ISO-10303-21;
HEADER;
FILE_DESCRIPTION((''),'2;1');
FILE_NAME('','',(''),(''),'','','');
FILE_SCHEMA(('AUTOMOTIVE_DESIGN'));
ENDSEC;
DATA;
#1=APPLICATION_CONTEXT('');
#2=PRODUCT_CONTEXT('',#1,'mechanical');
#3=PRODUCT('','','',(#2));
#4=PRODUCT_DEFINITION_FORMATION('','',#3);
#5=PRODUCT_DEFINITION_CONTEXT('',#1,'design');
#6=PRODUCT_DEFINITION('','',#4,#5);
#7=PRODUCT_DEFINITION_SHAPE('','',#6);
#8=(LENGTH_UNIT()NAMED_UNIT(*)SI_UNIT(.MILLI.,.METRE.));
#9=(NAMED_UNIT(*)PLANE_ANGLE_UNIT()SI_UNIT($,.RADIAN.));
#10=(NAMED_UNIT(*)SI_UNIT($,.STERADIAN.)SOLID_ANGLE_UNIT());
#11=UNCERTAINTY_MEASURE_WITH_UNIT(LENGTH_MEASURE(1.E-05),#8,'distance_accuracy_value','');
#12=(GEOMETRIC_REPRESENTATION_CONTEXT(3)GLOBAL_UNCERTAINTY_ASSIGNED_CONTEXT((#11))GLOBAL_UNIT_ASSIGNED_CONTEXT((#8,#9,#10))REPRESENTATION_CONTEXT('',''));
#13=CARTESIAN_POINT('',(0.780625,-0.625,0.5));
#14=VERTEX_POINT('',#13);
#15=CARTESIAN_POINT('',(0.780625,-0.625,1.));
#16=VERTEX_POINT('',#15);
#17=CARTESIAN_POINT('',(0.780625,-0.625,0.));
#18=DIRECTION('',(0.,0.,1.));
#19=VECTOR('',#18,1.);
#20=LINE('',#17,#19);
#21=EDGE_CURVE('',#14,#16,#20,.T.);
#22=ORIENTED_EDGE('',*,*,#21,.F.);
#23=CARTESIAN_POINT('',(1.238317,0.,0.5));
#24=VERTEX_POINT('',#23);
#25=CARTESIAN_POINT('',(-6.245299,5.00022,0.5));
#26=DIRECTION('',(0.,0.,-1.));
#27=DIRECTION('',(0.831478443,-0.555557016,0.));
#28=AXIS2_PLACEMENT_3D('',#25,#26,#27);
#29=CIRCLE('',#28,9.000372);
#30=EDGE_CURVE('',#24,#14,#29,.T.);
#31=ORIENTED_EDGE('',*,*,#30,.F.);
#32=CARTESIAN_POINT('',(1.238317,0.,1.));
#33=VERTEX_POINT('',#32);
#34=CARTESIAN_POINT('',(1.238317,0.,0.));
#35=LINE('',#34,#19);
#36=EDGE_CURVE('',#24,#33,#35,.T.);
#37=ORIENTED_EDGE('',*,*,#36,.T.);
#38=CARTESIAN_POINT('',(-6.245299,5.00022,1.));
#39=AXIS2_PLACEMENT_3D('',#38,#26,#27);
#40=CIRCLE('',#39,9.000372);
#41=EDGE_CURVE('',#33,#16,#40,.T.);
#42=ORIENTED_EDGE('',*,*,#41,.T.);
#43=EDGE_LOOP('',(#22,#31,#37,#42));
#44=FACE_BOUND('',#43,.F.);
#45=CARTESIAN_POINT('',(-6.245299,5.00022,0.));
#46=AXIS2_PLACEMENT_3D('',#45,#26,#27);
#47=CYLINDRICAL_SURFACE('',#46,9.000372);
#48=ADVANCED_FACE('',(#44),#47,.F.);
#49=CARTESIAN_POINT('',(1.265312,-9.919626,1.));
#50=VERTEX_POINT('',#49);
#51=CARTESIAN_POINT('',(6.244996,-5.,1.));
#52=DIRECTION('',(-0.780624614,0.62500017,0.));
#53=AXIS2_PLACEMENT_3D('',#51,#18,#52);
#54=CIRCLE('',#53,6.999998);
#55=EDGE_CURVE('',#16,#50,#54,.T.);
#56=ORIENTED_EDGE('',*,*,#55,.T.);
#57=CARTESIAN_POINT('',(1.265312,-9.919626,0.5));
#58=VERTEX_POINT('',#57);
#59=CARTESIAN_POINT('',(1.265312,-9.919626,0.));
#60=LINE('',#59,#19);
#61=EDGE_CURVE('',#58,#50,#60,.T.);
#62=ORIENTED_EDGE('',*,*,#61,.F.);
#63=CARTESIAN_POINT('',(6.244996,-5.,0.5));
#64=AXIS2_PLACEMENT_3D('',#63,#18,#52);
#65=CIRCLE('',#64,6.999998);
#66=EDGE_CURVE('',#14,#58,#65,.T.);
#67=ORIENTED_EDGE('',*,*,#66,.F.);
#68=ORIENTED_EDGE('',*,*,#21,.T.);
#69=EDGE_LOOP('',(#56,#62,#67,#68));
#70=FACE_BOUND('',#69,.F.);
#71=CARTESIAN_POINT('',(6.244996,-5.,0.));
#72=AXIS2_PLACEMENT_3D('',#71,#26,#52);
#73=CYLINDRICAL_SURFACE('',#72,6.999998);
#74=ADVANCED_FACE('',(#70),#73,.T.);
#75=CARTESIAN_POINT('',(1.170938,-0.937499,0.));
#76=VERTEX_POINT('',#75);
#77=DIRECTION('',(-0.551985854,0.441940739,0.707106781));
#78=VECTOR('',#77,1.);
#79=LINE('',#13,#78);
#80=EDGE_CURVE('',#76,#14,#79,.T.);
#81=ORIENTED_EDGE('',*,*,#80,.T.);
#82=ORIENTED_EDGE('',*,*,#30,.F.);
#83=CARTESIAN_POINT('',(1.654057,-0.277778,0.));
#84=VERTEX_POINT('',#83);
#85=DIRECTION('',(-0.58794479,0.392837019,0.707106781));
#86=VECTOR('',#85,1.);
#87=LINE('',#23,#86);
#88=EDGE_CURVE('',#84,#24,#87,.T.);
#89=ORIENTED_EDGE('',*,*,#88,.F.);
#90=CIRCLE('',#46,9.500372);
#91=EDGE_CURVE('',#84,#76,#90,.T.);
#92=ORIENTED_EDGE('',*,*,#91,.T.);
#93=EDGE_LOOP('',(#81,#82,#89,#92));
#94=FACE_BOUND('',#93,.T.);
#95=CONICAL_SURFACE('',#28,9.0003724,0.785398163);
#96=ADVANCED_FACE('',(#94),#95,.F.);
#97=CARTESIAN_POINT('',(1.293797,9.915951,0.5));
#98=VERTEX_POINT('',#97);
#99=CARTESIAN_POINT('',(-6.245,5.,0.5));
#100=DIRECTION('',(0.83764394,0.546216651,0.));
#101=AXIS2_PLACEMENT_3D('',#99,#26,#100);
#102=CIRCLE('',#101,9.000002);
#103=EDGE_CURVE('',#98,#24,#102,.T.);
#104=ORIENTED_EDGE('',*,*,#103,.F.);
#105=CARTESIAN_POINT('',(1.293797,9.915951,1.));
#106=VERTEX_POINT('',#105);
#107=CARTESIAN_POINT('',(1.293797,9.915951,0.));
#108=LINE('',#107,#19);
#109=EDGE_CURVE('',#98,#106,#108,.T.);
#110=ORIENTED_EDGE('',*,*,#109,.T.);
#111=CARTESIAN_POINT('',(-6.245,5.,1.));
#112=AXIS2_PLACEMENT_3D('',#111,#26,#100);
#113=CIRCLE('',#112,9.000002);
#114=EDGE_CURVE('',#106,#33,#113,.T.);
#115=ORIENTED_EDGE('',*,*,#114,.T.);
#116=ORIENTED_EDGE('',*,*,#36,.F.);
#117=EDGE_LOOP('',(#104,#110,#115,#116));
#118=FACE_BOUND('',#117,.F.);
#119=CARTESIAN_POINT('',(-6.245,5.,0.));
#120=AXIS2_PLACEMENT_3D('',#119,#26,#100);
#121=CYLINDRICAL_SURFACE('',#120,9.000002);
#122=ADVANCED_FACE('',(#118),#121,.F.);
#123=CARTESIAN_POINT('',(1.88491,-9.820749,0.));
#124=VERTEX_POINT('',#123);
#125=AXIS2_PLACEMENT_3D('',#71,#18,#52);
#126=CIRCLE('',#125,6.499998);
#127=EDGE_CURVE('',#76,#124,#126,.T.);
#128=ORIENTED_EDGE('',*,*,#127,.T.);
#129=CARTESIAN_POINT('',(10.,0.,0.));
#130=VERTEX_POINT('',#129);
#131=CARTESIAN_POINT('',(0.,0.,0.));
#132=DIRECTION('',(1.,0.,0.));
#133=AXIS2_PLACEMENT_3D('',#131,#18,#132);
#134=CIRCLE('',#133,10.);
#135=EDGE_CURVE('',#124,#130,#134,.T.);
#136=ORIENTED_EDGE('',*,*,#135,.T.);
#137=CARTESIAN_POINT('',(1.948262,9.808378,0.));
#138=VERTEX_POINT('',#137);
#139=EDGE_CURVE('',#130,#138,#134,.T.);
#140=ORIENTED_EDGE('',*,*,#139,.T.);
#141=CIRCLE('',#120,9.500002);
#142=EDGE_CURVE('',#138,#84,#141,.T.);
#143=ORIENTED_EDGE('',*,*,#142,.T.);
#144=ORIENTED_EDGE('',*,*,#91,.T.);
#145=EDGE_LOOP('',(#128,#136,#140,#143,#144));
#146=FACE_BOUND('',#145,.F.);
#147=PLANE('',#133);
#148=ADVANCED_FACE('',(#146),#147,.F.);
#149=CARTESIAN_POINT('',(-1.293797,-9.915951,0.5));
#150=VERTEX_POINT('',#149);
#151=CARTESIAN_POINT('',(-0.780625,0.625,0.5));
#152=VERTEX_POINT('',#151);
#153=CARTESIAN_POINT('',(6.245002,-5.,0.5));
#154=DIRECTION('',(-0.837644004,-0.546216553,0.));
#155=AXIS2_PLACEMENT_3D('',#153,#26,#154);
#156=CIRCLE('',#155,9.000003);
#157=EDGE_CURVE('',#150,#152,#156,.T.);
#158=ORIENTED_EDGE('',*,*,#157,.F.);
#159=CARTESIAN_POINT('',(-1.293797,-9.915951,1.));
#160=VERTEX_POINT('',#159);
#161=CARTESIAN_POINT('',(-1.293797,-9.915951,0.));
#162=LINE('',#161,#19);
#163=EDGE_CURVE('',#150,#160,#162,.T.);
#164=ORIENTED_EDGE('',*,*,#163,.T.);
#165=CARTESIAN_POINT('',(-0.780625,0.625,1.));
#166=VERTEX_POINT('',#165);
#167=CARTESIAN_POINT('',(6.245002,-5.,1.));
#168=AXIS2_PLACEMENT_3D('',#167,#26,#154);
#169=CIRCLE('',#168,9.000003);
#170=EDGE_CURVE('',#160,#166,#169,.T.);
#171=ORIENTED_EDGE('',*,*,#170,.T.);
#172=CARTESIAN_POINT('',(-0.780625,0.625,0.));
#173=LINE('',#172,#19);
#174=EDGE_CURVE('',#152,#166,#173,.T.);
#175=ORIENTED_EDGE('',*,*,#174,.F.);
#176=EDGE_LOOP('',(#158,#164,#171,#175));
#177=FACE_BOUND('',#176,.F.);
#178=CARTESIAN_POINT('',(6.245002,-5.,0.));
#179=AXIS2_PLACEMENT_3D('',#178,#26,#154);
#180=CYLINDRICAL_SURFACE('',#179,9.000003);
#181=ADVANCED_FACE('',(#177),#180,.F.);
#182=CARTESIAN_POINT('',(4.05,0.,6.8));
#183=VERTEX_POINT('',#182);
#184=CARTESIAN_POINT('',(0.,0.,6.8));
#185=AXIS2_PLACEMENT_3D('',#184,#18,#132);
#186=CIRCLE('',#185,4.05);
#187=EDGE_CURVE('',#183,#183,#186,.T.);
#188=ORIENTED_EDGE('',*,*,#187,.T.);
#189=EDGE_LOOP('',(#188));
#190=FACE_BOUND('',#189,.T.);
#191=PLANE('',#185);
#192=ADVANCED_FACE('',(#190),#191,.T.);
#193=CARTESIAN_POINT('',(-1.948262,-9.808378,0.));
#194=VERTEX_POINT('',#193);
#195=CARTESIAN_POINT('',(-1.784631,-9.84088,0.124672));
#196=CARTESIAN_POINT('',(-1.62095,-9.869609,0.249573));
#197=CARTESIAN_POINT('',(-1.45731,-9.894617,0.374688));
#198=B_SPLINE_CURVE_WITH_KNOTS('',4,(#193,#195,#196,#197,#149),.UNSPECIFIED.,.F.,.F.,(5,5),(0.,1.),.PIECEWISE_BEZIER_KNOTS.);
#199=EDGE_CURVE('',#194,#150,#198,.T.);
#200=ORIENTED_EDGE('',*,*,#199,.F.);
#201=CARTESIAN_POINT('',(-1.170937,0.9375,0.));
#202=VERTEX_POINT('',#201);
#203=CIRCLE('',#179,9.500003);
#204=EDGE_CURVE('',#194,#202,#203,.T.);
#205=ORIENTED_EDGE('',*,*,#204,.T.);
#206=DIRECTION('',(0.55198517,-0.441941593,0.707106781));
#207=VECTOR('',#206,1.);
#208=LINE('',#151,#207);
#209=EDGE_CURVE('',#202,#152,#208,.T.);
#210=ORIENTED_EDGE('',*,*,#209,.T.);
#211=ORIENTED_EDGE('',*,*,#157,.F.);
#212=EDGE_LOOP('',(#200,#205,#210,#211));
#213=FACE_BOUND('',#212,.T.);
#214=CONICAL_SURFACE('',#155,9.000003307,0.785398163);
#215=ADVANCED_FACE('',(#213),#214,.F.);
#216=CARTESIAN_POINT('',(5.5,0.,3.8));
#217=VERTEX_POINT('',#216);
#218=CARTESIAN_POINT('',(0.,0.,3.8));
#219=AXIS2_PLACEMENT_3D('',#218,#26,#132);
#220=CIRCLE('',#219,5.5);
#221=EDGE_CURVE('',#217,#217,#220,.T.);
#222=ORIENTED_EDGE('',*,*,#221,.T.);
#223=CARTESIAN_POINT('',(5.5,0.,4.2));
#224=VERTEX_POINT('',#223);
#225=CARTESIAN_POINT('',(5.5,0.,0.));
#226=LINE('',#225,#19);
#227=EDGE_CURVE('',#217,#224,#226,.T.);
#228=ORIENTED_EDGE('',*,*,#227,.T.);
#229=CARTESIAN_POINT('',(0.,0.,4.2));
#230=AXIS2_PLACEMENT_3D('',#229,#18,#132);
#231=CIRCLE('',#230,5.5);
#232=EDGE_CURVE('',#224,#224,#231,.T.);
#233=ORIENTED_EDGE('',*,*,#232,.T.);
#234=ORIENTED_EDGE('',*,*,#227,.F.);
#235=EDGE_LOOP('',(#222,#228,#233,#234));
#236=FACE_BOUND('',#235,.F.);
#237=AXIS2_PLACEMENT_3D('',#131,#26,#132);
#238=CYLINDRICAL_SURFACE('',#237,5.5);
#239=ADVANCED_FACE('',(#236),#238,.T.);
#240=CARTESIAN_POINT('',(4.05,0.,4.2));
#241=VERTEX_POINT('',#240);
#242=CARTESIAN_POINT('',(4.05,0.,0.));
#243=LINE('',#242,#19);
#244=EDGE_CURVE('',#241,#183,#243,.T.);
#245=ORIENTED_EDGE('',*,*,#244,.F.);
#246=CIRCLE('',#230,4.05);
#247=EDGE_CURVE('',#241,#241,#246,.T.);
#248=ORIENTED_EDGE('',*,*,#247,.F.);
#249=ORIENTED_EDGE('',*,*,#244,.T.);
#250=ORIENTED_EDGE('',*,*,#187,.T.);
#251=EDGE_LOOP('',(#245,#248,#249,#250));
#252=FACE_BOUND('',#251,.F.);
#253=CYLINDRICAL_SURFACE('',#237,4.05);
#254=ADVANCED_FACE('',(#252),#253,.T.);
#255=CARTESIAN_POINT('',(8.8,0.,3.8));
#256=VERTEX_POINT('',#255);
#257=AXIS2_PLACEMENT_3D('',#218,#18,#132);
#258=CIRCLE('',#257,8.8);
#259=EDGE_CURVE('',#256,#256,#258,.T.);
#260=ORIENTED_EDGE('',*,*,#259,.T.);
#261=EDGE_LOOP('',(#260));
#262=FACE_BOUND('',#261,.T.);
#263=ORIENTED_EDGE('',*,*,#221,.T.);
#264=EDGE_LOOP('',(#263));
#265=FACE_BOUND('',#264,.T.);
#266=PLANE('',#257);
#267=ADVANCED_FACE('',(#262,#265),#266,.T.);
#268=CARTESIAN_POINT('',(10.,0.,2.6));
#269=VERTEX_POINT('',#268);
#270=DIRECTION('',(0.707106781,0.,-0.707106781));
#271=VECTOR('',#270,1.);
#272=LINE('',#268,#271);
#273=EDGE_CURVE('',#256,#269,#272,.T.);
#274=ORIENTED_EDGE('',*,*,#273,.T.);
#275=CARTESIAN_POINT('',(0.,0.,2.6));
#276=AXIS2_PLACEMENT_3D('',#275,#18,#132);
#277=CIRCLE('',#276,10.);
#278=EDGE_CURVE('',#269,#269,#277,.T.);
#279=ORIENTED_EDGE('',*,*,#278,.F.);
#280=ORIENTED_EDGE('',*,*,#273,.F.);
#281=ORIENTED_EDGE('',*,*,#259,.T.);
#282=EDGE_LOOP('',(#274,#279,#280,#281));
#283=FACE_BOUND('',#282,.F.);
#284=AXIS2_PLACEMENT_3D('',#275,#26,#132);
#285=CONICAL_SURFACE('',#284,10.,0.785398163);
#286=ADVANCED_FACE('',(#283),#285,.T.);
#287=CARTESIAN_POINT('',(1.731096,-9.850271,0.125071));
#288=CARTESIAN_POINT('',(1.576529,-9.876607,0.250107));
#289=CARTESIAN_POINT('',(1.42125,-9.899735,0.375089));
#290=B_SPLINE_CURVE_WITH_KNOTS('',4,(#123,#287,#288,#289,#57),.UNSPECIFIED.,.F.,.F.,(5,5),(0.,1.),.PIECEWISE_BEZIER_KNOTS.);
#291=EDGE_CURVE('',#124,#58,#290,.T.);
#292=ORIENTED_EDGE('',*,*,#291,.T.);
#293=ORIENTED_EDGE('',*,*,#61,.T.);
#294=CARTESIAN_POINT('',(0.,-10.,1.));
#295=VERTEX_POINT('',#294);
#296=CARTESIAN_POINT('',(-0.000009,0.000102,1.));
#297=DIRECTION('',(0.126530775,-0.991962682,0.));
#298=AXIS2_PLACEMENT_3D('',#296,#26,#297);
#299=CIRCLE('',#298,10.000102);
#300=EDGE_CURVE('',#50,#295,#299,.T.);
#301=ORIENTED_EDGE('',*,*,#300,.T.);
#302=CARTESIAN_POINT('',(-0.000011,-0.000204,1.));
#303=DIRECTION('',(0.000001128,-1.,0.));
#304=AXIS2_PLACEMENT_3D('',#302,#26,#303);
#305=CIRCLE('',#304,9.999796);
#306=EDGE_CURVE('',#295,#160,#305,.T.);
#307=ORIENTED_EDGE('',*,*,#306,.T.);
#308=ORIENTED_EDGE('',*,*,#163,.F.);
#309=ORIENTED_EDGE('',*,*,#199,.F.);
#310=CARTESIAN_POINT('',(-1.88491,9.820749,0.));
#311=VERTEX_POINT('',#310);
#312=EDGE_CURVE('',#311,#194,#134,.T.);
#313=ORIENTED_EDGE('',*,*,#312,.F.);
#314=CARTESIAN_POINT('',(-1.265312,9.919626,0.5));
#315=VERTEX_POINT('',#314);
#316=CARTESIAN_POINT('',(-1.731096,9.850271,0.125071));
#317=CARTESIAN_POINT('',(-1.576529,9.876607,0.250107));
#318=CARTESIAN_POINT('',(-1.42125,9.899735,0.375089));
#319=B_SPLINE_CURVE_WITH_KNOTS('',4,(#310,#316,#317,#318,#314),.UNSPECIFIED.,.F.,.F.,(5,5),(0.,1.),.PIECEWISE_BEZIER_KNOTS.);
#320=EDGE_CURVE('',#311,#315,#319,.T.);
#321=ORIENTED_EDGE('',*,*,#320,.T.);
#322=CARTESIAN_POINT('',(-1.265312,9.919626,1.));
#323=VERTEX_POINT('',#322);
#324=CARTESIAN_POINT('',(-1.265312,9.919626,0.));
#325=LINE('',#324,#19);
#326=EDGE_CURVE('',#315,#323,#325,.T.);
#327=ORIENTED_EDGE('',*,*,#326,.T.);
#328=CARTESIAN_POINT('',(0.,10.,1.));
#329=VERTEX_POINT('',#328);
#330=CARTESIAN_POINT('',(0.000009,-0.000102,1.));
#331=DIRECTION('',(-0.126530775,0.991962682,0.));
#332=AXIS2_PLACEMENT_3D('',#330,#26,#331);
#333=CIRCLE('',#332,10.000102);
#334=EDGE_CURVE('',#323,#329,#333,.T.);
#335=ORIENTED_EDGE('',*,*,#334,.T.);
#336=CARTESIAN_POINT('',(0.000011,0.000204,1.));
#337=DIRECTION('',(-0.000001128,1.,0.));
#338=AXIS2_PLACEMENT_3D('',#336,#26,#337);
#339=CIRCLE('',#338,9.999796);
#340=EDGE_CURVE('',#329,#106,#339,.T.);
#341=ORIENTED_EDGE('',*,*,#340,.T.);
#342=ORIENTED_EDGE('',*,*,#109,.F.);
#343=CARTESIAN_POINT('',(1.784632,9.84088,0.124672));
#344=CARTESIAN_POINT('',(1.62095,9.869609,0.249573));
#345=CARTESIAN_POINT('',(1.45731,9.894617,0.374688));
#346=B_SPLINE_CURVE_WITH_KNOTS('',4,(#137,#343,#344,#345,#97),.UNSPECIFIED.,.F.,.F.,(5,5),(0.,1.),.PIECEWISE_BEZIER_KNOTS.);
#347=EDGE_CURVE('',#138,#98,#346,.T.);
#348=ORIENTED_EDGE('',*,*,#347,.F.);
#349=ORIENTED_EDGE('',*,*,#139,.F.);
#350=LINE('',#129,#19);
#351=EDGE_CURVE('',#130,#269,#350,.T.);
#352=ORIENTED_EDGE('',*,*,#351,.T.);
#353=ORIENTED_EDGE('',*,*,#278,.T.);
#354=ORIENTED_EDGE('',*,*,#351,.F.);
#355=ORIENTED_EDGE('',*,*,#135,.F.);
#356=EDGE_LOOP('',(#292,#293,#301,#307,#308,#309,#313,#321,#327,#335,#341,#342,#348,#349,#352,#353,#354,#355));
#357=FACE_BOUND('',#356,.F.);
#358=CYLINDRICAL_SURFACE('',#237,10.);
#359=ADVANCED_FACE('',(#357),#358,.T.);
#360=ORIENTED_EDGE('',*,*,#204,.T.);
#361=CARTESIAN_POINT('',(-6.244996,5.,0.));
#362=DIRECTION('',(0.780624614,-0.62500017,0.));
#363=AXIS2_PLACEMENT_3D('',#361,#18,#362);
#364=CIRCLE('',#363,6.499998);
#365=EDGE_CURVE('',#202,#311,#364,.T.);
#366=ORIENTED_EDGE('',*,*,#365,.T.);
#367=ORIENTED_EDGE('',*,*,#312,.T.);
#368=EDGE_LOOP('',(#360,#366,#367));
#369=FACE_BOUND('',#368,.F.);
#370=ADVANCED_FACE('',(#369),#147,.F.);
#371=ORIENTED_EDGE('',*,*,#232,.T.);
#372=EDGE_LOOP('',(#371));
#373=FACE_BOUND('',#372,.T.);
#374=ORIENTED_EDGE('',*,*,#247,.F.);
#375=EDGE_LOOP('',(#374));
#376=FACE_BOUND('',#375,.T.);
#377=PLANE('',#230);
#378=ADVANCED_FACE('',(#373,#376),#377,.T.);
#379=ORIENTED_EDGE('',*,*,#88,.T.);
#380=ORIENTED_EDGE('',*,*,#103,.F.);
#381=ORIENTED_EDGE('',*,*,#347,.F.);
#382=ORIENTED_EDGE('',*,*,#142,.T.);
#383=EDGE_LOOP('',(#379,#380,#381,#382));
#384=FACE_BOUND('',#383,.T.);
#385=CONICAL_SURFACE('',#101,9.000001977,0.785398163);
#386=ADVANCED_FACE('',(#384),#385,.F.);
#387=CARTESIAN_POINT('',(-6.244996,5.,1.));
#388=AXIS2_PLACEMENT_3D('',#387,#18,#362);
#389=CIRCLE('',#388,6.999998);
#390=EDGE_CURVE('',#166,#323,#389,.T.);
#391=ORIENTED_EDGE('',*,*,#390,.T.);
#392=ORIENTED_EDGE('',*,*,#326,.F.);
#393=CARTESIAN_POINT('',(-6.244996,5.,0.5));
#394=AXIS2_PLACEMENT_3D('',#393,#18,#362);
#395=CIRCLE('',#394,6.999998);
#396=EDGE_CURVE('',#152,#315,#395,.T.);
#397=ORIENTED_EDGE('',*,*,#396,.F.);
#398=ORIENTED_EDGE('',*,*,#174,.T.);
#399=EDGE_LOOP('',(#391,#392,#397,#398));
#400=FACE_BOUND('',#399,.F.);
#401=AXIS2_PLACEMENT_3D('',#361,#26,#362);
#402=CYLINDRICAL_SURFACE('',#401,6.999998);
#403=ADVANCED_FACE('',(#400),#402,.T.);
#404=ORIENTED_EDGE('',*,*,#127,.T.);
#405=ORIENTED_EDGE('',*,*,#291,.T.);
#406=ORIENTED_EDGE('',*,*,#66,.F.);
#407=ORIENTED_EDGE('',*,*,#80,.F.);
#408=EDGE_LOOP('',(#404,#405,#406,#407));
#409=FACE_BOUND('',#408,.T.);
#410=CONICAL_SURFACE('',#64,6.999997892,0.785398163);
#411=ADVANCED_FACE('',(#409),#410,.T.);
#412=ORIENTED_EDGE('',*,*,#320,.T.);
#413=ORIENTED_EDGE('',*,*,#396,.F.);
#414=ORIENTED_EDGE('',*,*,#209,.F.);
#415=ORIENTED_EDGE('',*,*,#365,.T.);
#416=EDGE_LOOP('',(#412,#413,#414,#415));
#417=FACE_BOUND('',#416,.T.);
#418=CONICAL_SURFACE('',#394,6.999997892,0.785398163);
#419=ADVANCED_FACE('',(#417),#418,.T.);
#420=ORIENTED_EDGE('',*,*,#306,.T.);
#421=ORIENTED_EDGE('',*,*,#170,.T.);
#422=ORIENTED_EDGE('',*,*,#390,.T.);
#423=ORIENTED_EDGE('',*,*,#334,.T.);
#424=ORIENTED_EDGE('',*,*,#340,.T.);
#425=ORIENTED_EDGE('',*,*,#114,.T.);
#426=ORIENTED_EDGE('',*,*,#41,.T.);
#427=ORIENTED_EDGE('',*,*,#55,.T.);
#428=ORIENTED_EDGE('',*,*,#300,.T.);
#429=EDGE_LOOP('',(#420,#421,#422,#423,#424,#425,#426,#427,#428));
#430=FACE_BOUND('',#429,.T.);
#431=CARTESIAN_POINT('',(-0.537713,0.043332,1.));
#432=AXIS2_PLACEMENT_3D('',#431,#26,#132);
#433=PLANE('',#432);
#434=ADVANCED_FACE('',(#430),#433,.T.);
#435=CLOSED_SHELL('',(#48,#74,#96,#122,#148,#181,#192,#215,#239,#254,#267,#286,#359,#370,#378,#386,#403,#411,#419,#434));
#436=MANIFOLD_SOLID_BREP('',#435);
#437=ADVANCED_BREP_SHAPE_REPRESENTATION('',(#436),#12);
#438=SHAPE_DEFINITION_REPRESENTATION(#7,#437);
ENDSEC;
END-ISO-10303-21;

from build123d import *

# Parameters (mm, degrees)
F0_R     = 10
F0_R_2   = 5.5
F0_R_3   = 4.05
F1_DEPTH = 3.8
F2_DEPTH = 6.8
F3_SIZE  = 1.2
F4_DEPTH = 4.2
F6_DEPTH = 1
F7_SIZE2 = 0.5
F7_SIZE  = 0.5


with BuildPart() as f1:
    # F0 (on Top) → F1 (new body)
    with BuildSketch(Plane.XY):
        Circle(F0_R)
        Circle(F0_R_2, mode=Mode.SUBTRACT)
        Circle(F0_R_3)
        Circle(F0_R_2)
        Circle(F0_R_3, mode=Mode.SUBTRACT)
    extrude(amount=F1_DEPTH)

    # F0 (on Top) → F2 (join)
    with BuildSketch(Plane.XY):
        Circle(F0_R_3)
    extrude(amount=F2_DEPTH)

    # F3
    f3_edges = [f1.edges().sort_by_distance(p)[0] for p in [
        (-10, 0, 3.8),
    ]]
    chamfer(f3_edges, length=F3_SIZE)

    # F0 (on Top) → F4 (join)
    with BuildSketch(Plane.XY):
        Circle(F0_R_2)
        Circle(F0_R_3, mode=Mode.SUBTRACT)
    extrude(amount=F4_DEPTH)

    # F5 (on face) → F6 (cut)
    with BuildSketch(Plane(origin=(0, 0, 0), x_dir=(1, 0, 0), z_dir=(0, 0, -1))):
        with BuildLine():
            ThreePointArc((0, 0), (-1.755002, 5), (0, 10))
            ThreePointArc((0, 10), (-0.648262, 9.978966), (-1.293797, 9.915951))
            ThreePointArc((-1.293797, 9.915951), (-2.744355, 4.562366), (-0.780625, -0.625))
            ThreePointArc((-0.780625, -0.625), (0.745504, -5.364534), (-1.265312, -9.919626))
            ThreePointArc((-1.265312, -9.919626), (-0.633931, -9.979886), (0, -10))
            ThreePointArc((0, -10), (1.755002, -5), (0, 0))
        make_face()
        with BuildLine():
            ThreePointArc((1.265312, 9.919626), (0.633931, 9.979886), (0, 10))
            ThreePointArc((0, 10), (-1.755002, 5), (0, 0))
            Line((0, 0), (1.238317, 0))
            ThreePointArc((1.238317, 0), (1.016198, 0.317427), (0.780625, 0.625))
            ThreePointArc((0.780625, 0.625), (-0.745504, 5.364534), (1.265312, 9.919626))
        make_face()
        with BuildLine():
            Line((1.238317, 0), (0, 0))
            ThreePointArc((0, 0), (1.755002, -5), (0, -10))
            ThreePointArc((0, -10), (0.648262, -9.978966), (1.293797, -9.915951))
            ThreePointArc((1.293797, -9.915951), (2.754861, -4.949646), (1.238317, 0))
        make_face()
    extrude(amount=-F6_DEPTH, mode=Mode.SUBTRACT)

    # F7
    f7_edges = [f1.edges().sort_by_distance(p)[0] for p in [
        (-2.744355, -4.562366, 0),
        (0.745504, 5.364534, 0),
        (2.744355, 4.562366, 0),
        (-0.745504, -5.364534, 0),
    ]]
    chamfer(f7_edges, length=F7_SIZE, length2=F7_SIZE2)


solid = f1.part
